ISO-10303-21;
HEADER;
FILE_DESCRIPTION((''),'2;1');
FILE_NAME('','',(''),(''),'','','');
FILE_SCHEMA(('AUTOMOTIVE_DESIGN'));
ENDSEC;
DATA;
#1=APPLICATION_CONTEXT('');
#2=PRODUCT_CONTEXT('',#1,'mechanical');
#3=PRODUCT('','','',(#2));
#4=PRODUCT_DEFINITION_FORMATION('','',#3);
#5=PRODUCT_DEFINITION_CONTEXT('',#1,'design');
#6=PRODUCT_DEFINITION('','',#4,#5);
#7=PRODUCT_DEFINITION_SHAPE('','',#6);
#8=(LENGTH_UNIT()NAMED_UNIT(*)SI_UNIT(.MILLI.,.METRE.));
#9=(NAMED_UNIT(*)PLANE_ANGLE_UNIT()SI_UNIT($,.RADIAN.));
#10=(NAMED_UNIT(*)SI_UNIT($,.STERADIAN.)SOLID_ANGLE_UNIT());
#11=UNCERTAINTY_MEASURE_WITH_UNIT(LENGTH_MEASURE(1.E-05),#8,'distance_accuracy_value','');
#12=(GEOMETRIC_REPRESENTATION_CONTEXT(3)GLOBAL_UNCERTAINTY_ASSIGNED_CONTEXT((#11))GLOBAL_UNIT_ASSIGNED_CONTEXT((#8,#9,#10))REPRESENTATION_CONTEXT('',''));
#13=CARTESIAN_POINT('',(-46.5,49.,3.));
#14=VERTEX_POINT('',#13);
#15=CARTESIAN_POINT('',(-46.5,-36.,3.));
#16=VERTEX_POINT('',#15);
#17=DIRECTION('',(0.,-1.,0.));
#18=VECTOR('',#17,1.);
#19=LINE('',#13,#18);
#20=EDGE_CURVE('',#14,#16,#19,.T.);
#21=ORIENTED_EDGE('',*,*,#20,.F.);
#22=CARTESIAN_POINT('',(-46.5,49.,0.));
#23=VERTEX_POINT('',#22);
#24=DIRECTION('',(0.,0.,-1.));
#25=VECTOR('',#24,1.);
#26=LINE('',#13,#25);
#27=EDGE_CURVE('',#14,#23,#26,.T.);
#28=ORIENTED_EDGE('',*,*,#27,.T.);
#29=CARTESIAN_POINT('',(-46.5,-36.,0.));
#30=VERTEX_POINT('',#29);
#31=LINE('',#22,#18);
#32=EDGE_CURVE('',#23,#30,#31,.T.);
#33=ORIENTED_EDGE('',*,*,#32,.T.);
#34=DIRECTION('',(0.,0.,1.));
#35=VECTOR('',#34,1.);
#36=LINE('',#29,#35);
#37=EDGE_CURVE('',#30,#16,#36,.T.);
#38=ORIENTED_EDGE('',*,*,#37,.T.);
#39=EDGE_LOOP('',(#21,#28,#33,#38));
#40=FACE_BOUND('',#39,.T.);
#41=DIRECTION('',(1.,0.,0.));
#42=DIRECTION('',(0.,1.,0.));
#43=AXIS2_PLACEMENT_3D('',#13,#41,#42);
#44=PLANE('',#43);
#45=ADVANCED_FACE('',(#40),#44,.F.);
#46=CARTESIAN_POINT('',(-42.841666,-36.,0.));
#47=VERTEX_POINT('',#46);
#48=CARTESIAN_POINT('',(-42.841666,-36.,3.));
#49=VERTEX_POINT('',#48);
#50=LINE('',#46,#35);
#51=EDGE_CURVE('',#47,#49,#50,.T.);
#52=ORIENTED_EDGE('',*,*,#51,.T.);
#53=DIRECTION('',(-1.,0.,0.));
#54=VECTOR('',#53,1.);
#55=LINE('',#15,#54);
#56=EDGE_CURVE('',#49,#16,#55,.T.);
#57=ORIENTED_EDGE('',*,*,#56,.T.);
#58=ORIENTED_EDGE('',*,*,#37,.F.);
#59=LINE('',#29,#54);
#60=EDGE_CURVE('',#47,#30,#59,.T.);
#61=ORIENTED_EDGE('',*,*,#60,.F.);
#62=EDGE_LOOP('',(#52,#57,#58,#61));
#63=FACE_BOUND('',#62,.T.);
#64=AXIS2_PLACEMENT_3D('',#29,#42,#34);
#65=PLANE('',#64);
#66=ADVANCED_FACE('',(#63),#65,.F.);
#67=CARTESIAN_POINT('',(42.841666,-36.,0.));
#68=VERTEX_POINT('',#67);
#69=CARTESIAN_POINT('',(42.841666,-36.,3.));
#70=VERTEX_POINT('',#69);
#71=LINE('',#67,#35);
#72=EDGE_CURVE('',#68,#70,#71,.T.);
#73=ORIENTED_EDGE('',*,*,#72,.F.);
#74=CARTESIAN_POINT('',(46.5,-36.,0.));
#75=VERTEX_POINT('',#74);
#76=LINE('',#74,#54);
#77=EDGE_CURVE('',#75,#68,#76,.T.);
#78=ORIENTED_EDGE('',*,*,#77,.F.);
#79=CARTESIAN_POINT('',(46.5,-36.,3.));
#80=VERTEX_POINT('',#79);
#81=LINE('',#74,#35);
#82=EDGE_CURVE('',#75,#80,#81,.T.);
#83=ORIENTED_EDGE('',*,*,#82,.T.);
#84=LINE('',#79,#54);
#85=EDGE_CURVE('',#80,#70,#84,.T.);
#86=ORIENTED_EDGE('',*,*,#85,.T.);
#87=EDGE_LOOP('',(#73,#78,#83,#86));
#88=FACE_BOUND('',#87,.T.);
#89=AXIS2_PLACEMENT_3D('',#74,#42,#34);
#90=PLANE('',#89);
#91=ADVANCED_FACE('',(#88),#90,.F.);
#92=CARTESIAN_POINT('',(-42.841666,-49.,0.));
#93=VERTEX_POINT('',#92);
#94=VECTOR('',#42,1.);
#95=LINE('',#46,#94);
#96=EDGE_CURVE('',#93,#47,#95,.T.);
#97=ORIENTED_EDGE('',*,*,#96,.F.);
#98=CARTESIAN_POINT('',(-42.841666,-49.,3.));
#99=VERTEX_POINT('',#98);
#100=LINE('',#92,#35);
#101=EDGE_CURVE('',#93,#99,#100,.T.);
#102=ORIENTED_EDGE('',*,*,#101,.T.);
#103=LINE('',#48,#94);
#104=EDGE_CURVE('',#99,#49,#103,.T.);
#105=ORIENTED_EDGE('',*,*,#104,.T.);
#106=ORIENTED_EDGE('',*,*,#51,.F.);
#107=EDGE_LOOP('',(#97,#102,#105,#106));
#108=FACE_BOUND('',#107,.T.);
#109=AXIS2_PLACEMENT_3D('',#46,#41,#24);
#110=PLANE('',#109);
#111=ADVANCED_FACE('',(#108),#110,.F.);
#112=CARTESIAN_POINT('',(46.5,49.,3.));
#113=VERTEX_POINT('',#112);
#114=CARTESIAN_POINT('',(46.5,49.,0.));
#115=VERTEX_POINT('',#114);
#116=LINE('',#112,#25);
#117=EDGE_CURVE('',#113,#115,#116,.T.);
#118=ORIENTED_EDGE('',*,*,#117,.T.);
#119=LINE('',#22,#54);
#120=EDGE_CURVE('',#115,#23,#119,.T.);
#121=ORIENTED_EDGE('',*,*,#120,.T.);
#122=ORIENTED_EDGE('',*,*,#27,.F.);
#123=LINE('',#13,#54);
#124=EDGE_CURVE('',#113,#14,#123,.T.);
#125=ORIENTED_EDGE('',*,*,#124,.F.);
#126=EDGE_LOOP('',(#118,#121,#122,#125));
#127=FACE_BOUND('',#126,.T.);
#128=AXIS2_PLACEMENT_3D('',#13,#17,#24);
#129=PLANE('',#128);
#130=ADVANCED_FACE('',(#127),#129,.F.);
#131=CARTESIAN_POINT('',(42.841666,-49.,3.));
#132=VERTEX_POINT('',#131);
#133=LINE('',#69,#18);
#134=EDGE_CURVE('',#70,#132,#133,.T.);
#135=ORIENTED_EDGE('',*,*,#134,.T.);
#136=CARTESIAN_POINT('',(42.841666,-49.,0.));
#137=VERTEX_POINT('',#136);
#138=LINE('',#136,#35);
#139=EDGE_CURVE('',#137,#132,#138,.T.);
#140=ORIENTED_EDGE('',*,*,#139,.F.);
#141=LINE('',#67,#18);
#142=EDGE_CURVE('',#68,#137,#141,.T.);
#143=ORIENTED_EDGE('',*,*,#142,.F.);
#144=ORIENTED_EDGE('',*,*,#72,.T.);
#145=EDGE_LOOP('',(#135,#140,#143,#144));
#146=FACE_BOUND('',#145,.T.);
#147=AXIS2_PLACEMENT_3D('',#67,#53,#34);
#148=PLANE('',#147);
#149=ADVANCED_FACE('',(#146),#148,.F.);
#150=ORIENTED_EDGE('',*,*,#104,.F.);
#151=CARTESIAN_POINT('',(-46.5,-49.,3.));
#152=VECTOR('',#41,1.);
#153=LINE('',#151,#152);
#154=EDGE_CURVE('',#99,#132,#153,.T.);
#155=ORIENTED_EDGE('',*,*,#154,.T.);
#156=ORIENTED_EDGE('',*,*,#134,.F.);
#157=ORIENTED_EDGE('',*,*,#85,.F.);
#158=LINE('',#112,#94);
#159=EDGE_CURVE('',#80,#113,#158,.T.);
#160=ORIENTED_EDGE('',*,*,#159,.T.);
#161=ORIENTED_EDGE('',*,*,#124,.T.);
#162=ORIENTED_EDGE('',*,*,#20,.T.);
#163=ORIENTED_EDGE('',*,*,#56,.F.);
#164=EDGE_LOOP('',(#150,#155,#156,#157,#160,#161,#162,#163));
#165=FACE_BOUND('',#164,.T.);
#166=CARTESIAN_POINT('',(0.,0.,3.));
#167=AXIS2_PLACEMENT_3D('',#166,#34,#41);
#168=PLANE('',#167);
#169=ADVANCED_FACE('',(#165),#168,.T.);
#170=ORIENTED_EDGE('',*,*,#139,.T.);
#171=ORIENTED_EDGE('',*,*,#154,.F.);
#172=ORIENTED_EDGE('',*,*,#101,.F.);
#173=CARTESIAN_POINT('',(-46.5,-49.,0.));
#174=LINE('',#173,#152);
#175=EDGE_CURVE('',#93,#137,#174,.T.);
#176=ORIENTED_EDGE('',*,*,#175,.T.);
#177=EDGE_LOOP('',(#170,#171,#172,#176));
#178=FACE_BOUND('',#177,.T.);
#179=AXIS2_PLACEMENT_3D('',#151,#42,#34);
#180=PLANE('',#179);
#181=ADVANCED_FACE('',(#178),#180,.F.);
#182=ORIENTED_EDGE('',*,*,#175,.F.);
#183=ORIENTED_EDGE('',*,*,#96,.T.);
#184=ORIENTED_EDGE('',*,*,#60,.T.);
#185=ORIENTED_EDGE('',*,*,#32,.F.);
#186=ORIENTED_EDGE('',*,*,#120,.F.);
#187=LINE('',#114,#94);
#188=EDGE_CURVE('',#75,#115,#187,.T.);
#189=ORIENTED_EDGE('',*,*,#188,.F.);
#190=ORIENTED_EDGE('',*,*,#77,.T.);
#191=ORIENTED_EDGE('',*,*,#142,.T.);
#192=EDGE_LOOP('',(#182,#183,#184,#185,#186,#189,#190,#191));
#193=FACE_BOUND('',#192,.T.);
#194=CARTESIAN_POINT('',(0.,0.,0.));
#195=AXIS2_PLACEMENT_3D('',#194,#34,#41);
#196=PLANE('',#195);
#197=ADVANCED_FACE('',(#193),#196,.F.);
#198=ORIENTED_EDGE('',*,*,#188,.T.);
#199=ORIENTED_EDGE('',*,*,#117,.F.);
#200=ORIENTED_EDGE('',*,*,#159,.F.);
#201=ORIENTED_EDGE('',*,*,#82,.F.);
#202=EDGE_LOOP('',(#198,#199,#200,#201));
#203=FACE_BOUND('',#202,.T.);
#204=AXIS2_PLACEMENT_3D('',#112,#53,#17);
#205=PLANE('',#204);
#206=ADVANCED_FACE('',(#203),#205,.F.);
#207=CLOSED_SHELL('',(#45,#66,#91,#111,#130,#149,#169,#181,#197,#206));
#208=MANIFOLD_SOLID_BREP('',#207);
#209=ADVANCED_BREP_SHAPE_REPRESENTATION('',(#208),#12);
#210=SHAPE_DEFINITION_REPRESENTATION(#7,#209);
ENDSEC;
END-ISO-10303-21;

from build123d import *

# Parameters (mm, degrees)
SKETCH1_W           = 93
SKETCH1_H           = 98
BOSS_EXTRUDE1_DEPTH = 3
SKETCH2_W           = 3.658334393
SKETCH2_H           = 13
CUT_EXTRUDE1_DEPTH  = 3


with BuildPart() as part:
    # Sketch1 → Boss-Extrude1 (new body)
    with BuildSketch(Plane.XY):
        Rectangle(SKETCH1_W, SKETCH1_H)
    extrude(amount=BOSS_EXTRUDE1_DEPTH)

    # Sketch2 → Cut-Extrude1 (cut)
    with BuildSketch(Plane.XY.offset(3)):
        with Locations((-44.670832804, -42.5)):
            Rectangle(SKETCH2_W, SKETCH2_H)
        with Locations((44.670832804, -42.5)):
            Rectangle(SKETCH2_W, SKETCH2_H)
    extrude(amount=-CUT_EXTRUDE1_DEPTH, mode=Mode.SUBTRACT)


solid = part.part
